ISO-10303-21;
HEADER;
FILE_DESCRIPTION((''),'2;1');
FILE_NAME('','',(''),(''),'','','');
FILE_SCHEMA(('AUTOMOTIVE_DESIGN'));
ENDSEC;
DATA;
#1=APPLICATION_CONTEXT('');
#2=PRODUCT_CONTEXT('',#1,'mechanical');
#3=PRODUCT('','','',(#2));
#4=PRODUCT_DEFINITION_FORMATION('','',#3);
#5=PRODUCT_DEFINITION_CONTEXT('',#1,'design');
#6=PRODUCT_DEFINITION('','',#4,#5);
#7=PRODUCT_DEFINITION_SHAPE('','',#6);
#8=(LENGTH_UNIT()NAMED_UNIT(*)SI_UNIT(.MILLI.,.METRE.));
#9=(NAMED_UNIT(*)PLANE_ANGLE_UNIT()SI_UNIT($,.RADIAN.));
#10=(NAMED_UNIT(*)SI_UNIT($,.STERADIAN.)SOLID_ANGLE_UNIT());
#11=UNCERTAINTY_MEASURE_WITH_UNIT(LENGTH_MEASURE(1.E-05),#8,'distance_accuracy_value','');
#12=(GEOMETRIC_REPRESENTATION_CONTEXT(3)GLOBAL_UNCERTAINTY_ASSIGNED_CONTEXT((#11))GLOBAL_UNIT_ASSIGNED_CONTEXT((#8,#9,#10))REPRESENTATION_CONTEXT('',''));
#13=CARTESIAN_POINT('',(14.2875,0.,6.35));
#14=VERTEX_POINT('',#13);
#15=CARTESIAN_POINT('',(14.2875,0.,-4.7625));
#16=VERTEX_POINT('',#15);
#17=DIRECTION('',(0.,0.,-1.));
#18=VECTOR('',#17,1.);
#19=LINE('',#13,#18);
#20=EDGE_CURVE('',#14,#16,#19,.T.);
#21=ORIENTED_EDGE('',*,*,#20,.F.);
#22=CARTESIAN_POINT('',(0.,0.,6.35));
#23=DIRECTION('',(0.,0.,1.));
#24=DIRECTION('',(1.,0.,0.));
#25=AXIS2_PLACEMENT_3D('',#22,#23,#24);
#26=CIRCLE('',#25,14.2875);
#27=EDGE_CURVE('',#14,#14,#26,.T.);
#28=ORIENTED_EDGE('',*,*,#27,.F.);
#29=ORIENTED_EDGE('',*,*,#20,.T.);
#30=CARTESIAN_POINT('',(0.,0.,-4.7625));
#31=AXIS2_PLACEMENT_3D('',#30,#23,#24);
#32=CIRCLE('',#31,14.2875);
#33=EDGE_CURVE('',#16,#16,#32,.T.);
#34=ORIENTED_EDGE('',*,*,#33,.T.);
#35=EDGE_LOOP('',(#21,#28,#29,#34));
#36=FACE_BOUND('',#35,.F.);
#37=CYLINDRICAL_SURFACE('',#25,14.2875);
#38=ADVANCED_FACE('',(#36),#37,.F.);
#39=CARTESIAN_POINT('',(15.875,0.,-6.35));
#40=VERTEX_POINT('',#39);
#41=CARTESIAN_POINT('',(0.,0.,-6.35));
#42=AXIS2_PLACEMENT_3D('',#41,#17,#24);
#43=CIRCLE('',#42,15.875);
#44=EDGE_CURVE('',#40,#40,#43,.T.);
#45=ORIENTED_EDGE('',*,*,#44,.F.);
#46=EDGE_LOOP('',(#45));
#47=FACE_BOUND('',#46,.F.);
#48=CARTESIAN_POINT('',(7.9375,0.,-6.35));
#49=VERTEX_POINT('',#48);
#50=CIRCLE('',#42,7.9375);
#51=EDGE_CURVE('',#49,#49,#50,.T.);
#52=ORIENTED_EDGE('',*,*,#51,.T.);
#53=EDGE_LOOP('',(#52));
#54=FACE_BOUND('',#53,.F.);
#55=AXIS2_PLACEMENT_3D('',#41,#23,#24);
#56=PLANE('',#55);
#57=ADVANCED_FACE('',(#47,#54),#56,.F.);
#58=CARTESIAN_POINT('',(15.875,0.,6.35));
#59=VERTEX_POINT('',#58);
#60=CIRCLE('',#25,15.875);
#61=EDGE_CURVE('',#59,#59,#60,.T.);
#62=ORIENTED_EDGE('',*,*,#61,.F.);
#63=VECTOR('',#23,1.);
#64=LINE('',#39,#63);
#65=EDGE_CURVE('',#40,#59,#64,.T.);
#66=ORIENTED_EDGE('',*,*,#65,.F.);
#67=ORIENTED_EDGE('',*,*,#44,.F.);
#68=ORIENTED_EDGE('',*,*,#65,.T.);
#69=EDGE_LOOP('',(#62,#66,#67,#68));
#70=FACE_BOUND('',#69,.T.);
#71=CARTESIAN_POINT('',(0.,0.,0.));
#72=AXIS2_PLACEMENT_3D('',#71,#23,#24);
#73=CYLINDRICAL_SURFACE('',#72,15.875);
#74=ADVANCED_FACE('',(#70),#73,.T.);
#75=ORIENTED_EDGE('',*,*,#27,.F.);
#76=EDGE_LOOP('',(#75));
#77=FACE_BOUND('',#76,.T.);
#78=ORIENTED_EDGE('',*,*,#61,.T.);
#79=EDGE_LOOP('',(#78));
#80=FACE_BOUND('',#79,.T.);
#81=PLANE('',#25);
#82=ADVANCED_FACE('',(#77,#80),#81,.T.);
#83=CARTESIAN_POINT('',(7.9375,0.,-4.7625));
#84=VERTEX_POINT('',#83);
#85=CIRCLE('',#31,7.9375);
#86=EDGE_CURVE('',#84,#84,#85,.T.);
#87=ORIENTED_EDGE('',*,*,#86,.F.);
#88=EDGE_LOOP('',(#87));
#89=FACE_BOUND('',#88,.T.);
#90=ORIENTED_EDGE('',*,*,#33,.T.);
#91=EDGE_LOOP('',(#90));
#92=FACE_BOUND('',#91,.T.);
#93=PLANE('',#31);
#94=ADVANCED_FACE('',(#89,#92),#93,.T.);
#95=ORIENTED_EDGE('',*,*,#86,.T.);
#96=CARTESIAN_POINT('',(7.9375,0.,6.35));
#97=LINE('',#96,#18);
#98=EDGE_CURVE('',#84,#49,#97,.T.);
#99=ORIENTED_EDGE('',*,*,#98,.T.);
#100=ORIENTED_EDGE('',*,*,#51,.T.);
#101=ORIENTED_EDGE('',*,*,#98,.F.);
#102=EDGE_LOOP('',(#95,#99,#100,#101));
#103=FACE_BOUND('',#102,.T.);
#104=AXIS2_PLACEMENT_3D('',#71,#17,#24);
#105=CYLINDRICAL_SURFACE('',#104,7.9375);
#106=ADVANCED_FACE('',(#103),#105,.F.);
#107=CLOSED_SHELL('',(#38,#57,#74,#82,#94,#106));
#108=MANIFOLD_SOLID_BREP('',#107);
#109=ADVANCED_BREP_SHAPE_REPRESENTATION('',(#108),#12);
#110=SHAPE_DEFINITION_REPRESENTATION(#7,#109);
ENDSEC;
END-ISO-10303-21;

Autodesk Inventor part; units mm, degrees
ref_plane "YZ Plane" through (0, 0, 0) normal (1, 0, 0) x (0, 1, 0)
ref_plane "XZ Plane" through (0, 0, 0) normal (0, 1, 0) x (-1, 0, 0)
ref_plane "XY Plane" through (0, 0, 0) normal (0, 0, 1) x (1, 0, 0)
sketch "Sketch1" plane through (0, 0, 0) normal (0, 0, 1) x (1, 0, 0)
  circle A0 centre (0, 0) radius 15.875
  line L0 (-22.225, 0) -> (22.225, 0) projected
  line L1 (0, -22.225) -> (0, 22.225) projected
  circle A1 centre (0, 0) radius 7.9375
  dimension "d0" = 31.75
  dimension "d2" = 15.875
extrude "Extrusion1" add sketch "Sketch1" along normal mid plane 12.7 contours L0 A1 L1 A0 | A0 L1 A1 L0 | L1 A1 L0 A0 | A0 L0 A1 L1
sketch "Sketch2" plane through (0, 0, 6.35) normal (0, 0, 1) x (1, 0, 0)
  circle A0 centre (0, 0) radius 7.9375 projected
  circle A1 centre (0, 0) radius 15.875 projected
  circle A2 centre (0, 0) radius 14.2875
  dimension "d5" = 28.575
extrude "Extrusion2" cut sketch "Sketch2" against normal blind 11.1125 contours A2
properties part number "bearing block outer"
